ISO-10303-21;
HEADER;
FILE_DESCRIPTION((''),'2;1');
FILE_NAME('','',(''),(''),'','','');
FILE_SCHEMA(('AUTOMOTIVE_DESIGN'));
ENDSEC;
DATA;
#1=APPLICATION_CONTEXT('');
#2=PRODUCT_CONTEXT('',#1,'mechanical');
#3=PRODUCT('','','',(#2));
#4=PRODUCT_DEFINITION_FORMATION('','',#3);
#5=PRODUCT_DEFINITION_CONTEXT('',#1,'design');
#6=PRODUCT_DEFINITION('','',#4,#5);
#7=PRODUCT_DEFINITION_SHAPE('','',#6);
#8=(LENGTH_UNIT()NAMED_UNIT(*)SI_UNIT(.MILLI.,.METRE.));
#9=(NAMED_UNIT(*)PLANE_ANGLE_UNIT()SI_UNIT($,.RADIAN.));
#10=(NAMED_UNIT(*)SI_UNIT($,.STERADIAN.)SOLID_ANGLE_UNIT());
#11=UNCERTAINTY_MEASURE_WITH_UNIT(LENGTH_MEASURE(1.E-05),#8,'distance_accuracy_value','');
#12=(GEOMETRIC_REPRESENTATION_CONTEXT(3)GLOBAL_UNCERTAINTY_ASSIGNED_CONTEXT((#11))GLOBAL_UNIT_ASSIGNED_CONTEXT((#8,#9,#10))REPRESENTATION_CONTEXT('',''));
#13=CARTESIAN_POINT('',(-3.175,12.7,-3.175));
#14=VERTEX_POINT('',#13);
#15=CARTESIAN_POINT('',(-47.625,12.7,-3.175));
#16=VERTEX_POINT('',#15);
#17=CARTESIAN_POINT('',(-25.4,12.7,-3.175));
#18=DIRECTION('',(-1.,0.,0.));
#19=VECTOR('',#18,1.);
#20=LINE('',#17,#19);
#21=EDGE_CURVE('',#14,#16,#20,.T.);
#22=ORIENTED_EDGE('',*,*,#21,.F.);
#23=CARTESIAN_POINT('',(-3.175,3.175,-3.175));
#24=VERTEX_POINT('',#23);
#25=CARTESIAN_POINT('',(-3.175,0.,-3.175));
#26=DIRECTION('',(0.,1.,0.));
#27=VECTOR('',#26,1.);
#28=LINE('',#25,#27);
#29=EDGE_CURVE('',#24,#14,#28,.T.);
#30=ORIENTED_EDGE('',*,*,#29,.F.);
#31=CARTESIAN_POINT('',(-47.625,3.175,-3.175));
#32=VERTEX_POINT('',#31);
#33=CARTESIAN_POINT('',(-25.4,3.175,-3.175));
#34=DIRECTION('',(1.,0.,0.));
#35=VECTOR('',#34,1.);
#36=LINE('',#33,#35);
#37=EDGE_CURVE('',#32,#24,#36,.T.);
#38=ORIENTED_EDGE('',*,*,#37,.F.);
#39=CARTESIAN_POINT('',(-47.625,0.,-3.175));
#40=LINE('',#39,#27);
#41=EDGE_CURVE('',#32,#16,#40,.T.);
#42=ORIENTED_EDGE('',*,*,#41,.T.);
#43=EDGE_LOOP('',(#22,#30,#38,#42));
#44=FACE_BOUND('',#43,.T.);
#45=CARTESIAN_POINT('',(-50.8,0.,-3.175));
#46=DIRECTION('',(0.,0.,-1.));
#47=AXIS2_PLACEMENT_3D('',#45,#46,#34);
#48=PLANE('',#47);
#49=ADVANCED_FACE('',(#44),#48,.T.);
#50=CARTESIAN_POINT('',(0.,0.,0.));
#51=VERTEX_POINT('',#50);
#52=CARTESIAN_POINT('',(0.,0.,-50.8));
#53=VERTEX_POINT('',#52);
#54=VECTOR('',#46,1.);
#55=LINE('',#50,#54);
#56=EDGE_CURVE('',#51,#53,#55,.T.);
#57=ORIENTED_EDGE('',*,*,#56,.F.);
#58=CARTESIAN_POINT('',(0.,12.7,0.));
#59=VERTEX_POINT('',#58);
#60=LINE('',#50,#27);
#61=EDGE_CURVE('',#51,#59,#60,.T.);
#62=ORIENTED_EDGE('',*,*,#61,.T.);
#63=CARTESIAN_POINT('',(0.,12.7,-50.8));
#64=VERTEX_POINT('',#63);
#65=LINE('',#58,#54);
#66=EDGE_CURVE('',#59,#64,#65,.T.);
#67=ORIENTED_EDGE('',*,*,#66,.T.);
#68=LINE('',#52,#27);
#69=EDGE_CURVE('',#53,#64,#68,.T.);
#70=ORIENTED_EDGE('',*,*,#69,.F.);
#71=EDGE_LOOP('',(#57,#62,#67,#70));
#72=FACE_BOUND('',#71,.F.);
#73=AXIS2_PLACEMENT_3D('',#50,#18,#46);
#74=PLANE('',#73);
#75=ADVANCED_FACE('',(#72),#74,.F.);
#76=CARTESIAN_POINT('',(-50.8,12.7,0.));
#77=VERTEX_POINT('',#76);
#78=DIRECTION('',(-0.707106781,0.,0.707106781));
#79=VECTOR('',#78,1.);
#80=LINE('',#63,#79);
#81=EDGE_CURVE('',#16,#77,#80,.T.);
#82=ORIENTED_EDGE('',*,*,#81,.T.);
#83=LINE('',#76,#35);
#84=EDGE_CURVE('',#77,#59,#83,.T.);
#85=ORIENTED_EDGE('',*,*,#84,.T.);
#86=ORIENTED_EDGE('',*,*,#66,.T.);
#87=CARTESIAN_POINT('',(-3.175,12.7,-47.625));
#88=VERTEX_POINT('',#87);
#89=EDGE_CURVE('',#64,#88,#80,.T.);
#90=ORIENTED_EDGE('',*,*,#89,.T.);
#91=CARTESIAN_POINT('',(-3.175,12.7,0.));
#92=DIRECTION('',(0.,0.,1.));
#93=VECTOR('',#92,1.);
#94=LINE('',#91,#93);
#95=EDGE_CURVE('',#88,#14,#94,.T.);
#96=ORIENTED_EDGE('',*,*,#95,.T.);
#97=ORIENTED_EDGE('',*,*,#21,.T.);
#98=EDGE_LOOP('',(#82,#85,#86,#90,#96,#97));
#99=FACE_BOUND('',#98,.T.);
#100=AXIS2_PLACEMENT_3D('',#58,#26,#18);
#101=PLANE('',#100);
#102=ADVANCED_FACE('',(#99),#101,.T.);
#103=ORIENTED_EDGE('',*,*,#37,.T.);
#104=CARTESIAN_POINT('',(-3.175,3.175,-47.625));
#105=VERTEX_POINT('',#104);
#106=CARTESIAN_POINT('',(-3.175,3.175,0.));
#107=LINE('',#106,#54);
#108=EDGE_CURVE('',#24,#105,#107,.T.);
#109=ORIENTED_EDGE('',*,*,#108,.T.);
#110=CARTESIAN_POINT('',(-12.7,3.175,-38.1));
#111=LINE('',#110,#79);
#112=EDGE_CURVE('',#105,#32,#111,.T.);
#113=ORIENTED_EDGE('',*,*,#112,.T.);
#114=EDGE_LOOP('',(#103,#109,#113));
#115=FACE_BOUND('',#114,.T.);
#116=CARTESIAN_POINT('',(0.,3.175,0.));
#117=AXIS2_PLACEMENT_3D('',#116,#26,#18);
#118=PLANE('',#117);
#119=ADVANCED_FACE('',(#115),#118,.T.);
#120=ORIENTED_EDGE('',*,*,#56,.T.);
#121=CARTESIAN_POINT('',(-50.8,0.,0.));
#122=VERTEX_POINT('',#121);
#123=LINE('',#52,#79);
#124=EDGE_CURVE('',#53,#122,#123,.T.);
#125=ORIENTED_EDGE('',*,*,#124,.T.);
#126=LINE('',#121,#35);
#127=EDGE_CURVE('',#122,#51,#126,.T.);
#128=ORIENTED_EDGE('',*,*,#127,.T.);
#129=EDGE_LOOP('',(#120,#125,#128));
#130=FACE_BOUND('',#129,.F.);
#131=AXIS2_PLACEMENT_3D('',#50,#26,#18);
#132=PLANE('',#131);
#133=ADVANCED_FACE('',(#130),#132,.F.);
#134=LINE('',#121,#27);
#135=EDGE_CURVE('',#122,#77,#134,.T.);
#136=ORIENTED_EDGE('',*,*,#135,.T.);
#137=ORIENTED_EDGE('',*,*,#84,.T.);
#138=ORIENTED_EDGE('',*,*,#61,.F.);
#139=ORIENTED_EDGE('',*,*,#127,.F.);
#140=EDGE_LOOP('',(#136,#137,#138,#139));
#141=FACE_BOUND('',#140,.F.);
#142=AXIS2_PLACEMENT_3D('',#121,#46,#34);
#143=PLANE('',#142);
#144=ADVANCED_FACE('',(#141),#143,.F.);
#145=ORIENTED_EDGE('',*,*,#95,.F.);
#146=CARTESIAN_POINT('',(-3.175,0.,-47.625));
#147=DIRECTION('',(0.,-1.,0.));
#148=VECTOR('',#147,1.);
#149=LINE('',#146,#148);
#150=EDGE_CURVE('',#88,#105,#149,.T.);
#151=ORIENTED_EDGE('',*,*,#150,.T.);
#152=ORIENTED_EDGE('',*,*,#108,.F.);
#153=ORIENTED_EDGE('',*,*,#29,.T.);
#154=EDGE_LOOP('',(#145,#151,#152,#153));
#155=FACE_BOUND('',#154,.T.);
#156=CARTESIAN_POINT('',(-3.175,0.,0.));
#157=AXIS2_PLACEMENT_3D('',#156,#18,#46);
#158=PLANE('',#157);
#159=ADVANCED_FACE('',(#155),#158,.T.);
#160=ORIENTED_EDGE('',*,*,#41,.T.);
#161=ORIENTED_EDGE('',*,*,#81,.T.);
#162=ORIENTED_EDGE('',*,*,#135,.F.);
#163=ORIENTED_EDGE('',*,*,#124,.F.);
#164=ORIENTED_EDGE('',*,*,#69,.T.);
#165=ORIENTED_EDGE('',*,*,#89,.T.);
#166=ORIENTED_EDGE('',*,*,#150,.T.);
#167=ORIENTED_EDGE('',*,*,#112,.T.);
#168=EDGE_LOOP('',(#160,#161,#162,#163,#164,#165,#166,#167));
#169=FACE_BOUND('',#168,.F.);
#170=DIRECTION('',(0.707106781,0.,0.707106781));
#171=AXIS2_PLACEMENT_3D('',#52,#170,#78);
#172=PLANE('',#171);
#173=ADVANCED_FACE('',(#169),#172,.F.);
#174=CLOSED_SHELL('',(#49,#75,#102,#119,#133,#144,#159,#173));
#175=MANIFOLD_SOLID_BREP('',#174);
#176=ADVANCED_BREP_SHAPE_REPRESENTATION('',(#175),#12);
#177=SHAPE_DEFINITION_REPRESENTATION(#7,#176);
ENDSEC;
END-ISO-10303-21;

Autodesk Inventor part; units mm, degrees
ref_plane "YZ Plane" through (0, 0, 0) normal (1, 0, 0) x (0, 1, 0)
ref_plane "XZ Plane" through (0, 0, 0) normal (0, 1, 0) x (-1, 0, 0)
ref_plane "XY Plane" through (0, 0, 0) normal (0, 0, 1) x (1, 0, 0)
sketch "Sketch1" plane through (0, 0, 0) normal (0, 1, 0) x (-1, 0, 0)
  line L0 (0, 0) -> (0, -50.8)
  line L1 (0, -50.8) -> (50.8, 0)
  line L2 (50.8, 0) -> (0, 0)
  dimension "d0" = 50.8
extrude "Extrusion1" add sketch "Sketch1" along normal blind 12.7
shell "Shell1" thickness 3.175 removed faces 2 at (-16.9333, 8.4667, -33.8667) at (-16.9333, 12.7, -16.9333)
properties part number "Corner_Brace"
